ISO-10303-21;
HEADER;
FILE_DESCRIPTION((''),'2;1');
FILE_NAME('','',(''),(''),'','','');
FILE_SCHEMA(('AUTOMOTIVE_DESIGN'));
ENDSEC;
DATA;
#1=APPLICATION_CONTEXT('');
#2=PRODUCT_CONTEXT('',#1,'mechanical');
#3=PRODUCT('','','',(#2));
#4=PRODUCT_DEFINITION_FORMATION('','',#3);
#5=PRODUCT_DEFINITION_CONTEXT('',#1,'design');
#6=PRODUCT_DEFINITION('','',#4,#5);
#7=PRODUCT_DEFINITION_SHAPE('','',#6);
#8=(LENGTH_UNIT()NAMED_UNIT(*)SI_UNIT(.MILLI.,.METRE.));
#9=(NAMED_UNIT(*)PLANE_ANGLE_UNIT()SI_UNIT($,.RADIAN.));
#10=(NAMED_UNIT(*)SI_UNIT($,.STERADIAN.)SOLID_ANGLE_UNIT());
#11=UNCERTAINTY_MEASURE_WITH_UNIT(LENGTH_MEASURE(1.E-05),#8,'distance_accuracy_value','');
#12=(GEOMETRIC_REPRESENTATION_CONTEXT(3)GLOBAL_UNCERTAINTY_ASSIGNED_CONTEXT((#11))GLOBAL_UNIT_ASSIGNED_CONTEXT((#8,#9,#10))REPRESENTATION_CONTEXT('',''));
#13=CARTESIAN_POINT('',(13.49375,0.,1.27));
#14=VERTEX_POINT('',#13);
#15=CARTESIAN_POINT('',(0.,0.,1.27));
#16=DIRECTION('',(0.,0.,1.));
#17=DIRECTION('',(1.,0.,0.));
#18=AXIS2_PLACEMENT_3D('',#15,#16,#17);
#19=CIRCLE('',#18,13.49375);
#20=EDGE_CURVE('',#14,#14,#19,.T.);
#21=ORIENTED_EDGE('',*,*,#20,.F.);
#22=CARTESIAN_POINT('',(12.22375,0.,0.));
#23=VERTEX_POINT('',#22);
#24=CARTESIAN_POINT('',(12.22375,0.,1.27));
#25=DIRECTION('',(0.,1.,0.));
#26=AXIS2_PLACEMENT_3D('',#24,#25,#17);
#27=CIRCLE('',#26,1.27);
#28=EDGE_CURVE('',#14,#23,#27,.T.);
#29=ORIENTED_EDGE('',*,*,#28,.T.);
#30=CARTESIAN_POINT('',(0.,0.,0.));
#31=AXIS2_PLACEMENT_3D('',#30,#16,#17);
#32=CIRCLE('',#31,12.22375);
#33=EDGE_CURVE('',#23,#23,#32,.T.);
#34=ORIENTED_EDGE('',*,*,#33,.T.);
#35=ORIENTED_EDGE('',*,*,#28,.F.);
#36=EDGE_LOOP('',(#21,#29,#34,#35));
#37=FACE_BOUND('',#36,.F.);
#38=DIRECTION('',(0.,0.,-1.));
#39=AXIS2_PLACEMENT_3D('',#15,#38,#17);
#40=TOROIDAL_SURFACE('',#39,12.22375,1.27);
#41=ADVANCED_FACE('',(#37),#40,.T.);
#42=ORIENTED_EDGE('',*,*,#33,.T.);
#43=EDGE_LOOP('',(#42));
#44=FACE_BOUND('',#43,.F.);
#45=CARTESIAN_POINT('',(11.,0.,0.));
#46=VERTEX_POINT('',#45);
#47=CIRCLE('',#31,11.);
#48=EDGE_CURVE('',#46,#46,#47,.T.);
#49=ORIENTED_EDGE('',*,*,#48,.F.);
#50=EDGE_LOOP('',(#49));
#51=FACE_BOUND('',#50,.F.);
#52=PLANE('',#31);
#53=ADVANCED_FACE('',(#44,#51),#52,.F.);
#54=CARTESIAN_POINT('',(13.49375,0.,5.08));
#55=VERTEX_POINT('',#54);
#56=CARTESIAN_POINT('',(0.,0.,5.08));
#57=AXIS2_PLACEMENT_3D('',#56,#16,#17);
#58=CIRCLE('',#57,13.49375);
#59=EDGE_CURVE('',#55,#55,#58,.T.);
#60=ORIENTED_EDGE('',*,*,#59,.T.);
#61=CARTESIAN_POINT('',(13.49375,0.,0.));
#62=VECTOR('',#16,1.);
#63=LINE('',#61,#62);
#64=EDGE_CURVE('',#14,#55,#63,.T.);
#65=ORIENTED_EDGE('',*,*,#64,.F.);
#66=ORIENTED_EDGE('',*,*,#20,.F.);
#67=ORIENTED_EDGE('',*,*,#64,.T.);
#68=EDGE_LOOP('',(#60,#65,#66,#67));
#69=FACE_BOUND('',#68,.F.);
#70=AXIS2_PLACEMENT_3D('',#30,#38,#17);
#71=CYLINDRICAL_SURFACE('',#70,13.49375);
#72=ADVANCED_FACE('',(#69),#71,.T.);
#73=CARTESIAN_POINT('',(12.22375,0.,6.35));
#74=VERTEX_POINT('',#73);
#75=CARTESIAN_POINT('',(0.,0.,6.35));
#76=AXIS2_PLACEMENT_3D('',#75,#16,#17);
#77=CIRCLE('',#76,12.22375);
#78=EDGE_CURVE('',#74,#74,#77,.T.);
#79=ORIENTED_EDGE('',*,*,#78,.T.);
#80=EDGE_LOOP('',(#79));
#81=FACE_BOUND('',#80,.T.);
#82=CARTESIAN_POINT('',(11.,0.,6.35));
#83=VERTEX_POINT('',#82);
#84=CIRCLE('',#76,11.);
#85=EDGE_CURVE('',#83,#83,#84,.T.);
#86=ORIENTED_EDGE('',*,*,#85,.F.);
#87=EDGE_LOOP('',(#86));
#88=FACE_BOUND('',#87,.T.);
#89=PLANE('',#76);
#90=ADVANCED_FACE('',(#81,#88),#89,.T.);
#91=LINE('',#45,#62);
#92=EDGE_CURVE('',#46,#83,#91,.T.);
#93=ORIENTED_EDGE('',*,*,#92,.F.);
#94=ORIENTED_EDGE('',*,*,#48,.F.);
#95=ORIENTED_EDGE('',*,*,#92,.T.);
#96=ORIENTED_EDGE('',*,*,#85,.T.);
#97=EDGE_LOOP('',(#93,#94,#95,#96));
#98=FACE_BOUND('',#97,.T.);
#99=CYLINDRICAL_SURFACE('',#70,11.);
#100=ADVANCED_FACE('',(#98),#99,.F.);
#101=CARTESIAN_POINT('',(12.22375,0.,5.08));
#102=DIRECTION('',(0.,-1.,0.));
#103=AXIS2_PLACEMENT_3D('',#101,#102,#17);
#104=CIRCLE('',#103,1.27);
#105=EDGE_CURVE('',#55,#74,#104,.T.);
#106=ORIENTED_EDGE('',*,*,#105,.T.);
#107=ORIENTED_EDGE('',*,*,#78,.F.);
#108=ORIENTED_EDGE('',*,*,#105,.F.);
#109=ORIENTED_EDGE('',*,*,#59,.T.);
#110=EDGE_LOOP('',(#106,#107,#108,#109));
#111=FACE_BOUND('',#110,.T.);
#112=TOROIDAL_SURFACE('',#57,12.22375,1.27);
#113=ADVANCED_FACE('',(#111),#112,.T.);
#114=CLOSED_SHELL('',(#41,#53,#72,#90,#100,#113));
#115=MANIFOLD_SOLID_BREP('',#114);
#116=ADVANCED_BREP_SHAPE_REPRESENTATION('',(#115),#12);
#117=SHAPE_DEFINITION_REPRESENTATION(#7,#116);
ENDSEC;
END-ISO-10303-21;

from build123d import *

# Parameters (mm, degrees)
F0_R     = 13.49375
F0_R_2   = 11
F1_DEPTH = 6.35
F2_R     = 1.27
F3_R     = 1.27


with BuildPart() as f1:
    # F0 (on Top) → F1 (new body)
    with BuildSketch(Plane.XY):
        Circle(F0_R)
        Circle(F0_R_2, mode=Mode.SUBTRACT)
    extrude(amount=F1_DEPTH)

    # F2
    f2_edges = [f1.edges().sort_by_distance(p)[0] for p in [
        (-13.49375, 0, 0),
    ]]
    fillet(f2_edges, radius=F2_R)

    # F3
    f3_edges = [f1.edges().sort_by_distance(p)[0] for p in [
        (-13.49375, 0, 6.35),
    ]]
    fillet(f3_edges, radius=F3_R)


solid = f1.part
